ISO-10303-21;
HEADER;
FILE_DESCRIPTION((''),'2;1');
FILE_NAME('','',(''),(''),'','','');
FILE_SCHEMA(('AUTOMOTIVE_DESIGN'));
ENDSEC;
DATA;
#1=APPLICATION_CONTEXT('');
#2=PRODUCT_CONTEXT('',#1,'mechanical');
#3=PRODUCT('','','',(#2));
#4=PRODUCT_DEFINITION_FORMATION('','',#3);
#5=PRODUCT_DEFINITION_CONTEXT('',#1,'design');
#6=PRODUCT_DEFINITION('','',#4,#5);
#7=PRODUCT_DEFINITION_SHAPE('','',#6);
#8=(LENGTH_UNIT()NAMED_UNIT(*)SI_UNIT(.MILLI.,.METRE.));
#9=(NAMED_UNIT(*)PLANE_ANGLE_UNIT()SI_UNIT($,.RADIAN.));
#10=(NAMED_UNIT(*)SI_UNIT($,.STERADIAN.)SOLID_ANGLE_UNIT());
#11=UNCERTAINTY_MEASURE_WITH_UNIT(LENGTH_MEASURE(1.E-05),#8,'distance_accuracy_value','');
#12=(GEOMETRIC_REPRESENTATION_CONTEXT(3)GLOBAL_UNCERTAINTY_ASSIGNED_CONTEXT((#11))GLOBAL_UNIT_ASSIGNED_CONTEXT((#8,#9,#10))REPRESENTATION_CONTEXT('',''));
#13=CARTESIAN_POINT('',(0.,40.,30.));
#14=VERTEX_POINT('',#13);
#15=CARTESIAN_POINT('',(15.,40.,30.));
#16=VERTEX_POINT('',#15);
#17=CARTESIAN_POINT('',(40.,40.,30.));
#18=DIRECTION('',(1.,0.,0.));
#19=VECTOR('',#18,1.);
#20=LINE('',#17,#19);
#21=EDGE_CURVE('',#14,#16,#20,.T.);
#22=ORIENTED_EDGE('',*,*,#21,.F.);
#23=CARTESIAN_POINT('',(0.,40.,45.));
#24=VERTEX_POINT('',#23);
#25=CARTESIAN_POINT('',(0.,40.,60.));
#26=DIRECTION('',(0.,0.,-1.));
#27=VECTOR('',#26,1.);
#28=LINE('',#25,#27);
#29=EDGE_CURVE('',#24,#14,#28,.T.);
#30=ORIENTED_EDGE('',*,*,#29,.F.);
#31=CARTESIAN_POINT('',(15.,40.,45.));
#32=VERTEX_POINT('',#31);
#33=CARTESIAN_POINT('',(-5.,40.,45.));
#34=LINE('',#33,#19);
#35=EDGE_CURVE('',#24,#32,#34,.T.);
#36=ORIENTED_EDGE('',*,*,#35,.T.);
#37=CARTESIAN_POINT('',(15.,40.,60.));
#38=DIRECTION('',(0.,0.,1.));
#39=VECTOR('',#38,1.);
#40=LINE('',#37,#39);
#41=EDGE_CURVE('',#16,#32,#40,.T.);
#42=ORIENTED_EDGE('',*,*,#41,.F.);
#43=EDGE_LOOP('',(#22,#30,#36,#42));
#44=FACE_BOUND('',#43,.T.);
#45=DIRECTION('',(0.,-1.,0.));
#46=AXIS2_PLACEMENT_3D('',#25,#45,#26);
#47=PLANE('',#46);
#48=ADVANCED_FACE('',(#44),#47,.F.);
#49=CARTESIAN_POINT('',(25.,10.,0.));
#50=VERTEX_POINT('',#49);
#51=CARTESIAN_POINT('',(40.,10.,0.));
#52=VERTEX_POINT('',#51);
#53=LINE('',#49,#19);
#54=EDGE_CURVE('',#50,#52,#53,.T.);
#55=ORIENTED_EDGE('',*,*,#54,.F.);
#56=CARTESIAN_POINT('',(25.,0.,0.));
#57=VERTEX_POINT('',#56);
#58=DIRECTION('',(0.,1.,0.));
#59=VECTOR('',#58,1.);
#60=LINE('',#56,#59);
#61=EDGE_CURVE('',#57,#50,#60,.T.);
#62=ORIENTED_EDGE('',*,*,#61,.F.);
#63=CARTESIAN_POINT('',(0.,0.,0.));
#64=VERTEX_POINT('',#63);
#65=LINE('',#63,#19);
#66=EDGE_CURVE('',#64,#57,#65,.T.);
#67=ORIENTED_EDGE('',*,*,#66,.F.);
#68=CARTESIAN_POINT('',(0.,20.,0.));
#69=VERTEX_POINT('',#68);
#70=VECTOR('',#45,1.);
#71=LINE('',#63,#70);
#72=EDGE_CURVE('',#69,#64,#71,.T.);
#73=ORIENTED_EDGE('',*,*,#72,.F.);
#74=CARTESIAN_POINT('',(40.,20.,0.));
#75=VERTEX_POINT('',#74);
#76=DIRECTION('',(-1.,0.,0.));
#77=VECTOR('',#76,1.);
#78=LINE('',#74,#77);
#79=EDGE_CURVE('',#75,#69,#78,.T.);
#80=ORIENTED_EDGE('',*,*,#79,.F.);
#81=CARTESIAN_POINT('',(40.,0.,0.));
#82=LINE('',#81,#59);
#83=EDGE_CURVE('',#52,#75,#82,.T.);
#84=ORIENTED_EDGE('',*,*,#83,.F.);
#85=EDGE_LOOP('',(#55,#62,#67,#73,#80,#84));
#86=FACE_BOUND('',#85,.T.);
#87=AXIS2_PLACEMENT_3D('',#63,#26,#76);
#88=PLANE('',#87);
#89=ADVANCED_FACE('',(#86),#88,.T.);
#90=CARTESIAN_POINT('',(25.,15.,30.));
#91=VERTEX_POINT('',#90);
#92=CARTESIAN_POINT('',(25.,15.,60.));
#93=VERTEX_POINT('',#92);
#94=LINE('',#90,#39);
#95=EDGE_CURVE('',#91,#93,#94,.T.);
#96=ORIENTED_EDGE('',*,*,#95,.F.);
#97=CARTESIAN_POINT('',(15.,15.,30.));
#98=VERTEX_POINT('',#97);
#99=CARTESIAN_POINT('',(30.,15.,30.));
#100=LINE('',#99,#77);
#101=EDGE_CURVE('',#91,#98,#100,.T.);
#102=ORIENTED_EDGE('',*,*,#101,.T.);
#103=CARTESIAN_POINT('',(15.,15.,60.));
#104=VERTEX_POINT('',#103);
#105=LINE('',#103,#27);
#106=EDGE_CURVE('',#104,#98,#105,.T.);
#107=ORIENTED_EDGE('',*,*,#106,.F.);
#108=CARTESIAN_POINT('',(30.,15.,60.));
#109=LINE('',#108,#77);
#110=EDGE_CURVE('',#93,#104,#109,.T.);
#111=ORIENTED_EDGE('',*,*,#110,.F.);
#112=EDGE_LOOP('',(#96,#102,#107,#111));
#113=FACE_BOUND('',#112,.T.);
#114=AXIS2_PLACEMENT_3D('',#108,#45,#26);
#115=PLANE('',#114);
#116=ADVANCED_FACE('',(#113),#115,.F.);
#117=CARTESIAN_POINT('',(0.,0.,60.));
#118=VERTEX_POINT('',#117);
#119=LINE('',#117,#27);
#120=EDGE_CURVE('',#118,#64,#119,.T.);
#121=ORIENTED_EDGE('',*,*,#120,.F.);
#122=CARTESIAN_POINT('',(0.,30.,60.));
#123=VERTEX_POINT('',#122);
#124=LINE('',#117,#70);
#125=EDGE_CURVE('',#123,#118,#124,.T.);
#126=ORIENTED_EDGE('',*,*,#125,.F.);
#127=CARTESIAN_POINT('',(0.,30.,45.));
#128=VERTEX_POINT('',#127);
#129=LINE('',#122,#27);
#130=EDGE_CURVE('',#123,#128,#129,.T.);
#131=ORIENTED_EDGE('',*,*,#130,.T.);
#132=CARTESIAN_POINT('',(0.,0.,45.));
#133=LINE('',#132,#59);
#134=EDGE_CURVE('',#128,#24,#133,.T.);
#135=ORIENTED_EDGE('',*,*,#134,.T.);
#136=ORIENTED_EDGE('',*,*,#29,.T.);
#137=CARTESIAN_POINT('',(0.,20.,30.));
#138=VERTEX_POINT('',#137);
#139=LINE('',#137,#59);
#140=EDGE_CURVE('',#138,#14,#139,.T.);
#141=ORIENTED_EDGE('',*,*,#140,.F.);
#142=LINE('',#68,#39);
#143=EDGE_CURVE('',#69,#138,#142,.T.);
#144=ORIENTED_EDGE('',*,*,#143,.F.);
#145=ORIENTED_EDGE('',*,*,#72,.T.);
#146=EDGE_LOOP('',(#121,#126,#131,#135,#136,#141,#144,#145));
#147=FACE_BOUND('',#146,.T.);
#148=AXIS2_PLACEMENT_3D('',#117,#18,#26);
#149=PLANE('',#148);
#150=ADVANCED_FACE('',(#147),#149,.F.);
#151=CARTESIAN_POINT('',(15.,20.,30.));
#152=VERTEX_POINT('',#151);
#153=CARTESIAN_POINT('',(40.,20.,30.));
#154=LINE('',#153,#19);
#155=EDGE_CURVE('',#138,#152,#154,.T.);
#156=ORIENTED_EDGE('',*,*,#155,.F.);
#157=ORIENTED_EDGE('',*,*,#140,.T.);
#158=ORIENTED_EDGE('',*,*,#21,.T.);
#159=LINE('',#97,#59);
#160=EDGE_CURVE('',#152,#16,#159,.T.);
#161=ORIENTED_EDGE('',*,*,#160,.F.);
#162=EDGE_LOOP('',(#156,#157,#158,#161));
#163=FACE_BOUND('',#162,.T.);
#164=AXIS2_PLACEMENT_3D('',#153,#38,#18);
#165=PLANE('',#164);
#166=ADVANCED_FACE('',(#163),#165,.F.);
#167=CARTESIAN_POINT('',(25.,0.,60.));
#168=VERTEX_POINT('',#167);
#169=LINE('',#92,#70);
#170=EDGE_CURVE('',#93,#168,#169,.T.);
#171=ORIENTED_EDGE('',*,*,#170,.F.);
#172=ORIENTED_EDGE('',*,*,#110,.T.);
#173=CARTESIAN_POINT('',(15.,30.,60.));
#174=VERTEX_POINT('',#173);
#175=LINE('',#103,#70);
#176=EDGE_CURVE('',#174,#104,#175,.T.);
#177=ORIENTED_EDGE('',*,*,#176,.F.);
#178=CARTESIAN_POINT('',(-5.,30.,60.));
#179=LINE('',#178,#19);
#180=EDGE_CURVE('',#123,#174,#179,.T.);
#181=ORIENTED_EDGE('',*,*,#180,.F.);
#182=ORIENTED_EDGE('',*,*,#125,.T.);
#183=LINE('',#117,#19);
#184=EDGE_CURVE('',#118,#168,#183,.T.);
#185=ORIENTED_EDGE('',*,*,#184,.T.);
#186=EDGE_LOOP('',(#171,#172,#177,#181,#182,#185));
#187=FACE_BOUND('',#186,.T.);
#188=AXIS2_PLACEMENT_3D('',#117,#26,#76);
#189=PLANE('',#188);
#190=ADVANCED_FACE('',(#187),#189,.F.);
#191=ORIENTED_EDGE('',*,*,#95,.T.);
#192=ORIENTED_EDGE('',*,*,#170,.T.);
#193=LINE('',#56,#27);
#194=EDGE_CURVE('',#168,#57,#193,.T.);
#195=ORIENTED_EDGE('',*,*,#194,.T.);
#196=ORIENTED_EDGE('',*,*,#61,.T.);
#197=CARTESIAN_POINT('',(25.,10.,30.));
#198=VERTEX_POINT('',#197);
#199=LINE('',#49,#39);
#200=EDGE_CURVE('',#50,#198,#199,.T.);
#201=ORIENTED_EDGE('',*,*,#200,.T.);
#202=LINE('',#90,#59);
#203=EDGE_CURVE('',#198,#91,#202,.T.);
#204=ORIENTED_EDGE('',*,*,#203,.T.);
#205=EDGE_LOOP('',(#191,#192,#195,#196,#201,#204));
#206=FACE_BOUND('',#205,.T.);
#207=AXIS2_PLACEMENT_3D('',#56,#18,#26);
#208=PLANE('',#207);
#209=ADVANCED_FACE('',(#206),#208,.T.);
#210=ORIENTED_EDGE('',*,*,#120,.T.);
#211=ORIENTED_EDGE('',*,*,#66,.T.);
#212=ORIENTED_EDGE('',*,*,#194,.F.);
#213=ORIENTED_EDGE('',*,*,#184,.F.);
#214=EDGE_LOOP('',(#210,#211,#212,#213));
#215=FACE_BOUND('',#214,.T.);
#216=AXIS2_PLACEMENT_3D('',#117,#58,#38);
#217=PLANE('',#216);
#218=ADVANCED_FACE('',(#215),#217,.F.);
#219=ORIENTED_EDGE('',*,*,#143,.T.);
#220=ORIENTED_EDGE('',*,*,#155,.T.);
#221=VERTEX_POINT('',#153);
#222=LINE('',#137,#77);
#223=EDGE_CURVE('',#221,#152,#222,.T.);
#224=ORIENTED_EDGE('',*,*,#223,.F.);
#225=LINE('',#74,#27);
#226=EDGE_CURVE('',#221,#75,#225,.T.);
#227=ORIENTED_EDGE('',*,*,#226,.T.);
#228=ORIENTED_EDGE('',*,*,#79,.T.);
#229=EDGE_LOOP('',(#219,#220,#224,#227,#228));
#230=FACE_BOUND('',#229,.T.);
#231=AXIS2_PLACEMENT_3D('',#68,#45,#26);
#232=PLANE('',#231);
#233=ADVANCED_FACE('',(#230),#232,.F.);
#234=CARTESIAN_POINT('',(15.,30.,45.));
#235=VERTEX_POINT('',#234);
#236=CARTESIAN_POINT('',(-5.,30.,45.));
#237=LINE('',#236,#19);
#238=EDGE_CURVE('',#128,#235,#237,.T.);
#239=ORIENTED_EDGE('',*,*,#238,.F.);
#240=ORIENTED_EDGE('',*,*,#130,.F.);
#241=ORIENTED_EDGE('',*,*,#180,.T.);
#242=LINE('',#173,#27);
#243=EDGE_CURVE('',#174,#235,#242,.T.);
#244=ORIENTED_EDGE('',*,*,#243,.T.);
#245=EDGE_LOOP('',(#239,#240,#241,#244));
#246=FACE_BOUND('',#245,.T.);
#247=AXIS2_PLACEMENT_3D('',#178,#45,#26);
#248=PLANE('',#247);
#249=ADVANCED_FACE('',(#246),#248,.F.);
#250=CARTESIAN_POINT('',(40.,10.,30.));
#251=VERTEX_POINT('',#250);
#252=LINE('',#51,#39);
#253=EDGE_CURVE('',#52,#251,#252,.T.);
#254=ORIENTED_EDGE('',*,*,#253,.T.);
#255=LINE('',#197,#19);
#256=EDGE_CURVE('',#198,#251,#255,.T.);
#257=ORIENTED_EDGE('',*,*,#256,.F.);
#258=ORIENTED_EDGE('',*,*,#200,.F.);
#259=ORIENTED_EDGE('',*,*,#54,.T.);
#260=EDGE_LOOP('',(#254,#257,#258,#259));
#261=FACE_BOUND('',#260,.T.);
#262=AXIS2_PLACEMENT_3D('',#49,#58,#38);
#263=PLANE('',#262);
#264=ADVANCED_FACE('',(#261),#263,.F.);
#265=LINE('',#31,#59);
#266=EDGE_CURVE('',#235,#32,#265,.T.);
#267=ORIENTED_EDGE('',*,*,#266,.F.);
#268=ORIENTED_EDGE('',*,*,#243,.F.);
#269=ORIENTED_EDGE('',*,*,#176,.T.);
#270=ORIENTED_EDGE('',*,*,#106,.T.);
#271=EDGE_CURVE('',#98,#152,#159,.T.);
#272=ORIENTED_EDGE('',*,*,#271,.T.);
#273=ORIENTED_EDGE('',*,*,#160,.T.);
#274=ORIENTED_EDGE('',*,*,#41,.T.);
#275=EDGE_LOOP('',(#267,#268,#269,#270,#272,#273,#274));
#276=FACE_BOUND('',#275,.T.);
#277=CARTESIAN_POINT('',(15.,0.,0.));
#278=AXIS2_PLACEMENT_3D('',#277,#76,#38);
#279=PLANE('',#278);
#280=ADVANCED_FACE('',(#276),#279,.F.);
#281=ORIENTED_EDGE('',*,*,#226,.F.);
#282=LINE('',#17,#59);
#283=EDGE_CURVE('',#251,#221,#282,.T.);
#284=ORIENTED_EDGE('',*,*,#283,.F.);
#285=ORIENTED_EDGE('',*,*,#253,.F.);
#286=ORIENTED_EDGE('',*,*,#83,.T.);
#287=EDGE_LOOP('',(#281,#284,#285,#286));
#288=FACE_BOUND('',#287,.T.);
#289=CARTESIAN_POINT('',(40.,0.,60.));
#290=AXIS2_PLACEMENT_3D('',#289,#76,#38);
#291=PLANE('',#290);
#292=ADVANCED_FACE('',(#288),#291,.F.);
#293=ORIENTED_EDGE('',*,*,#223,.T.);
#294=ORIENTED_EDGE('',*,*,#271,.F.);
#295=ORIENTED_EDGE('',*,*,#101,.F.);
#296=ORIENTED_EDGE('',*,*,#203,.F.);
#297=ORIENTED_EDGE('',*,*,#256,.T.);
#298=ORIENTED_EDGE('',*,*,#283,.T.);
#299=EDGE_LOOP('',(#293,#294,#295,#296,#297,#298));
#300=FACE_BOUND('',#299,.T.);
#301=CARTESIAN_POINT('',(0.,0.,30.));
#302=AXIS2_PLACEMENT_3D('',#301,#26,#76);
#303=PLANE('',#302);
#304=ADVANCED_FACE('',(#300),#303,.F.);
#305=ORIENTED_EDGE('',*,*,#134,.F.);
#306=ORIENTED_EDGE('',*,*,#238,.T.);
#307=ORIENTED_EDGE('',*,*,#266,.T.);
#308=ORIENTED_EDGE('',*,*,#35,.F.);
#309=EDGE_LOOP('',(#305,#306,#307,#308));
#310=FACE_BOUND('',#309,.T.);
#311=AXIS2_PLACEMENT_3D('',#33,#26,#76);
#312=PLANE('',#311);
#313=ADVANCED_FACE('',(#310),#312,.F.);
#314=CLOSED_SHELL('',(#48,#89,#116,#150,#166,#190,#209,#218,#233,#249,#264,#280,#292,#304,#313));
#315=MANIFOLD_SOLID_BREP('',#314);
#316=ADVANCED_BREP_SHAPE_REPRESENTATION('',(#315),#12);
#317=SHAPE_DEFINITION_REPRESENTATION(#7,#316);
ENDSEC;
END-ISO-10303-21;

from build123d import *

# Parameters (mm, degrees)
SKETCH1_W           = 40
SKETCH1_H           = 40
BOSS_EXTRUDE1_DEPTH = 60
SKETCH2_W           = 20
SKETCH2_H           = 40
CUT_EXTRUDE1_DEPTH  = 30
SKETCH4_W           = 40
SKETCH4_H           = 30
CUT_EXTRUDE2_DEPTH  = 20
SKETCH5_W           = 30
SKETCH5_H           = 10
CUT_EXTRUDE3_DEPTH  = 15
SKETCH6_W           = 15
SKETCH6_H           = 10
CUT_EXTRUDE4_DEPTH  = 25
SKETCH8_W           = 30
SKETCH8_H           = 15
BOSS_EXTRUDE2_DEPTH = 10
SKETCH10_W          = 30
SKETCH10_H          = 25
CUT_EXTRUDE5_DEPTH  = 5
SKETCH11_W          = 30
SKETCH11_H          = 15
CUT_EXTRUDE6_DEPTH  = 5


with BuildPart() as part:
    # Sketch1 → Boss-Extrude1 (new body)
    with BuildSketch(Plane.XY):
        with Locations((20, 20)):
            Rectangle(SKETCH1_W, SKETCH1_H)
    extrude(amount=BOSS_EXTRUDE1_DEPTH)

    # Sketch2 → Cut-Extrude1 (cut)
    with BuildSketch(Plane.XY.offset(60)):
        with Locations((30, 20)):
            Rectangle(SKETCH2_W, SKETCH2_H)
    extrude(amount=-CUT_EXTRUDE1_DEPTH, mode=Mode.SUBTRACT)

    # Sketch4 → Cut-Extrude2 (cut)
    with BuildSketch(Plane(origin=(0, 40, 0), x_dir=(1, 0, 0), z_dir=(0, 1, 0))):
        with Locations((20, -15)):
            Rectangle(SKETCH4_W, SKETCH4_H)
    extrude(amount=-CUT_EXTRUDE2_DEPTH, mode=Mode.SUBTRACT)

    # Sketch5 → Cut-Extrude3 (cut)
    with BuildSketch(Plane(origin=(40, 0, 0), x_dir=(0, 0, -1), z_dir=(1, 0, 0))):
        with Locations((-15, 5)):
            Rectangle(SKETCH5_W, SKETCH5_H)
    extrude(amount=-CUT_EXTRUDE3_DEPTH, mode=Mode.SUBTRACT)

    # Sketch6 → Cut-Extrude4 (cut)
    with BuildSketch(Plane(origin=(20, 0, 0), x_dir=(0, 0, -1), z_dir=(1, 0, 0))):
        with Locations((-52.5, 35)):
            Rectangle(SKETCH6_W, SKETCH6_H)
    extrude(amount=-CUT_EXTRUDE4_DEPTH, mode=Mode.SUBTRACT)

    # Sketch8 → Boss-Extrude2 (add)
    with BuildSketch(Plane(origin=(20, 0, 0), x_dir=(0, 0, -1), z_dir=(1, 0, 0))):
        with Locations((-45, 7.5)):
            Rectangle(SKETCH8_W, SKETCH8_H)
    extrude(amount=BOSS_EXTRUDE2_DEPTH)

    # Sketch10 → Cut-Extrude5 (cut)
    with BuildSketch(Plane(origin=(20, 0, 0), x_dir=(0, 0, -1), z_dir=(1, 0, 0))):
        with Locations((-45, 27.5)):
            Rectangle(SKETCH10_W, SKETCH10_H)
    extrude(amount=-CUT_EXTRUDE5_DEPTH, mode=Mode.SUBTRACT)

    # Sketch11 → Cut-Extrude6 (cut)
    with BuildSketch(Plane(origin=(30, 0, 0), x_dir=(0, 0, -1), z_dir=(1, 0, 0))):
        with Locations((-45, 7.5)):
            Rectangle(SKETCH11_W, SKETCH11_H)
    extrude(amount=-CUT_EXTRUDE6_DEPTH, mode=Mode.SUBTRACT)


solid = part.part
